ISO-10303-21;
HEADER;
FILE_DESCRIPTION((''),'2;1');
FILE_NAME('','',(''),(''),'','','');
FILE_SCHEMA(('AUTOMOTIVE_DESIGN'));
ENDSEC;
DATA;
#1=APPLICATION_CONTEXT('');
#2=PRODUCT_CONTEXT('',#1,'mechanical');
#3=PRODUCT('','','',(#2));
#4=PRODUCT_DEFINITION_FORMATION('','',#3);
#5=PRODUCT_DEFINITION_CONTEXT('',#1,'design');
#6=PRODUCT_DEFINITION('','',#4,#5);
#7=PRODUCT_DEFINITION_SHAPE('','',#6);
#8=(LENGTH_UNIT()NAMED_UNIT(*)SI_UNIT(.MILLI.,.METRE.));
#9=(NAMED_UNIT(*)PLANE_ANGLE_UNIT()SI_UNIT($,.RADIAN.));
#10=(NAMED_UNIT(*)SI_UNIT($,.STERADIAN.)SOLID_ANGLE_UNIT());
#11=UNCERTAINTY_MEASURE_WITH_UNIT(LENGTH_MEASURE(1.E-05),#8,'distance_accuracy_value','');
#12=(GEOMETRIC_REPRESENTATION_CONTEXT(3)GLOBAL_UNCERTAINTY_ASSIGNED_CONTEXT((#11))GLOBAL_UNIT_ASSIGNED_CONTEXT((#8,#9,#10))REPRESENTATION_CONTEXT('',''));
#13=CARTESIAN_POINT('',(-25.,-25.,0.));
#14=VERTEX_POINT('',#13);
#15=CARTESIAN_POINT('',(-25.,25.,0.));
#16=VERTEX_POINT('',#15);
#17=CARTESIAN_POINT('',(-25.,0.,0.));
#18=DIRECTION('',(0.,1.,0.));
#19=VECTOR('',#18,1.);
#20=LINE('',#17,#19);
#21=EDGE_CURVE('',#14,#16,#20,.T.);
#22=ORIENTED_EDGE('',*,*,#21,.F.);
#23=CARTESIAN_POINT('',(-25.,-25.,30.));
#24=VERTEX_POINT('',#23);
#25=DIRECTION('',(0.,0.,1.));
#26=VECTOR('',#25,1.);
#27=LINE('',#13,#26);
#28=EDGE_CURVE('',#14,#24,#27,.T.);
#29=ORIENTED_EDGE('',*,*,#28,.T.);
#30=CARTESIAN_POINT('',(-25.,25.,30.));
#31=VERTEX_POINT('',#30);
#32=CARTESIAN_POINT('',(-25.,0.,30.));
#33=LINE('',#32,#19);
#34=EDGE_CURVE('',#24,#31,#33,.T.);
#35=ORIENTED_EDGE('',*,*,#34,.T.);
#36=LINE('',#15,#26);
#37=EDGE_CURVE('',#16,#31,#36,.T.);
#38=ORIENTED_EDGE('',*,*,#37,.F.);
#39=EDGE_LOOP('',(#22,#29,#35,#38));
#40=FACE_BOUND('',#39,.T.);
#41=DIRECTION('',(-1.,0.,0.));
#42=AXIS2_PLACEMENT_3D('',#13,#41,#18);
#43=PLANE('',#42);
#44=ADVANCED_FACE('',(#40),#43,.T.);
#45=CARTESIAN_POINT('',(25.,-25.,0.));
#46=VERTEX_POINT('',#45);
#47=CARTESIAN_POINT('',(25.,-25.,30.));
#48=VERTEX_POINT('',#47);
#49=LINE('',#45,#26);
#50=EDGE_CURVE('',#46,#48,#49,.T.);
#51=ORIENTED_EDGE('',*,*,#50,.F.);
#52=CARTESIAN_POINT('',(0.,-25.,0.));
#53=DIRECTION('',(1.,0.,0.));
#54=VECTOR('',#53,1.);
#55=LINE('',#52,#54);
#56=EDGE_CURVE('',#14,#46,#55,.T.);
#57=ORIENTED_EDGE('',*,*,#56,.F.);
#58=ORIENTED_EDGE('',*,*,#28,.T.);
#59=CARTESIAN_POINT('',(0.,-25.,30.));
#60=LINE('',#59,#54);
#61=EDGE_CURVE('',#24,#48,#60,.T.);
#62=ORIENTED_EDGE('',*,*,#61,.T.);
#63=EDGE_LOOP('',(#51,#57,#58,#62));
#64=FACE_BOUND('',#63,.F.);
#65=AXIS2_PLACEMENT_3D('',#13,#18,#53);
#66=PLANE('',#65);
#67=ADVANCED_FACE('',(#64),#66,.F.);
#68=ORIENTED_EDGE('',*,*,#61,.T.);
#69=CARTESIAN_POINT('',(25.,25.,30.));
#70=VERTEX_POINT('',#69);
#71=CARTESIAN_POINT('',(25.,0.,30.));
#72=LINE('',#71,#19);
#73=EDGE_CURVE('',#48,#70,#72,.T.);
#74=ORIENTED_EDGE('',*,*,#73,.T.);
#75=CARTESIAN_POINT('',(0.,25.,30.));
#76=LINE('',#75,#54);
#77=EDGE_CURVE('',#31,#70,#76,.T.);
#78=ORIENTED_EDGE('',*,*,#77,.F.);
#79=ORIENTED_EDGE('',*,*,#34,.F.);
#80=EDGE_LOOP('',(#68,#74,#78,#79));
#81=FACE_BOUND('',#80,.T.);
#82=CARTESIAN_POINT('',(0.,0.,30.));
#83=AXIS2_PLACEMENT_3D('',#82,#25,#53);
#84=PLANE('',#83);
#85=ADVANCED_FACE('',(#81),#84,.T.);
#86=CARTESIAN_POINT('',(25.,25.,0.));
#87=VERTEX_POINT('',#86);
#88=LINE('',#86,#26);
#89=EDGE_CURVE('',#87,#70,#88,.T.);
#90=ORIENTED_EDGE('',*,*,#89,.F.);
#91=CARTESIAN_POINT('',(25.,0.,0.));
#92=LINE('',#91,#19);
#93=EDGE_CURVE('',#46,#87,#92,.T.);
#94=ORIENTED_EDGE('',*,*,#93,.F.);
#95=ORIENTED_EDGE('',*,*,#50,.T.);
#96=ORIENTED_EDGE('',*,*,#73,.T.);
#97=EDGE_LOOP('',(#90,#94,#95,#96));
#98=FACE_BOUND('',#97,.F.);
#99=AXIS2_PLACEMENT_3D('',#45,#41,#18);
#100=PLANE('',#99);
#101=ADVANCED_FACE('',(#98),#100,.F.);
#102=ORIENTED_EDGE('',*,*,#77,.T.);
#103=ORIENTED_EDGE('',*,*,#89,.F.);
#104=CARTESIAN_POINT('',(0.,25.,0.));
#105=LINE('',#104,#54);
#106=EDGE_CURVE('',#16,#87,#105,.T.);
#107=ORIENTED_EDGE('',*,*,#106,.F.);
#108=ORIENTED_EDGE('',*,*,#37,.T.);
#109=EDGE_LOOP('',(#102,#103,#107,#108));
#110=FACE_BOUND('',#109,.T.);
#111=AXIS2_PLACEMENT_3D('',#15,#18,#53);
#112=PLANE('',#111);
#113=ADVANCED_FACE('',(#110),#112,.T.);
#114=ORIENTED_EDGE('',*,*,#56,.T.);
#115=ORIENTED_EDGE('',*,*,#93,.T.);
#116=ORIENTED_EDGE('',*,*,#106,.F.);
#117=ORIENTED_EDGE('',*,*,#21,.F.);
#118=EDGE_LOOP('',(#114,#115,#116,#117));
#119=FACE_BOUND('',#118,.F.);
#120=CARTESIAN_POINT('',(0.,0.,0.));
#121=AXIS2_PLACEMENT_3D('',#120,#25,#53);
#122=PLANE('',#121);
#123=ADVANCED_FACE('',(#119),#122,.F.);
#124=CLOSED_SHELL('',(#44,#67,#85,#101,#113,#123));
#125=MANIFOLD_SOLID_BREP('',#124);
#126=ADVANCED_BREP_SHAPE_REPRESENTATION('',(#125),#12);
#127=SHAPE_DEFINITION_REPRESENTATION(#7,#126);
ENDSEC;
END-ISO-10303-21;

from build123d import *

# Parameters (mm, degrees)
SKETCH1_W           = 50
SKETCH1_H           = 50
BOSS_EXTRUDE1_DEPTH = 30


with BuildPart() as part:
    # Sketch1 → Boss-Extrude1 (new body)
    with BuildSketch(Plane.XY):
        Rectangle(SKETCH1_W, SKETCH1_H)
    extrude(amount=BOSS_EXTRUDE1_DEPTH)


solid = part.part
